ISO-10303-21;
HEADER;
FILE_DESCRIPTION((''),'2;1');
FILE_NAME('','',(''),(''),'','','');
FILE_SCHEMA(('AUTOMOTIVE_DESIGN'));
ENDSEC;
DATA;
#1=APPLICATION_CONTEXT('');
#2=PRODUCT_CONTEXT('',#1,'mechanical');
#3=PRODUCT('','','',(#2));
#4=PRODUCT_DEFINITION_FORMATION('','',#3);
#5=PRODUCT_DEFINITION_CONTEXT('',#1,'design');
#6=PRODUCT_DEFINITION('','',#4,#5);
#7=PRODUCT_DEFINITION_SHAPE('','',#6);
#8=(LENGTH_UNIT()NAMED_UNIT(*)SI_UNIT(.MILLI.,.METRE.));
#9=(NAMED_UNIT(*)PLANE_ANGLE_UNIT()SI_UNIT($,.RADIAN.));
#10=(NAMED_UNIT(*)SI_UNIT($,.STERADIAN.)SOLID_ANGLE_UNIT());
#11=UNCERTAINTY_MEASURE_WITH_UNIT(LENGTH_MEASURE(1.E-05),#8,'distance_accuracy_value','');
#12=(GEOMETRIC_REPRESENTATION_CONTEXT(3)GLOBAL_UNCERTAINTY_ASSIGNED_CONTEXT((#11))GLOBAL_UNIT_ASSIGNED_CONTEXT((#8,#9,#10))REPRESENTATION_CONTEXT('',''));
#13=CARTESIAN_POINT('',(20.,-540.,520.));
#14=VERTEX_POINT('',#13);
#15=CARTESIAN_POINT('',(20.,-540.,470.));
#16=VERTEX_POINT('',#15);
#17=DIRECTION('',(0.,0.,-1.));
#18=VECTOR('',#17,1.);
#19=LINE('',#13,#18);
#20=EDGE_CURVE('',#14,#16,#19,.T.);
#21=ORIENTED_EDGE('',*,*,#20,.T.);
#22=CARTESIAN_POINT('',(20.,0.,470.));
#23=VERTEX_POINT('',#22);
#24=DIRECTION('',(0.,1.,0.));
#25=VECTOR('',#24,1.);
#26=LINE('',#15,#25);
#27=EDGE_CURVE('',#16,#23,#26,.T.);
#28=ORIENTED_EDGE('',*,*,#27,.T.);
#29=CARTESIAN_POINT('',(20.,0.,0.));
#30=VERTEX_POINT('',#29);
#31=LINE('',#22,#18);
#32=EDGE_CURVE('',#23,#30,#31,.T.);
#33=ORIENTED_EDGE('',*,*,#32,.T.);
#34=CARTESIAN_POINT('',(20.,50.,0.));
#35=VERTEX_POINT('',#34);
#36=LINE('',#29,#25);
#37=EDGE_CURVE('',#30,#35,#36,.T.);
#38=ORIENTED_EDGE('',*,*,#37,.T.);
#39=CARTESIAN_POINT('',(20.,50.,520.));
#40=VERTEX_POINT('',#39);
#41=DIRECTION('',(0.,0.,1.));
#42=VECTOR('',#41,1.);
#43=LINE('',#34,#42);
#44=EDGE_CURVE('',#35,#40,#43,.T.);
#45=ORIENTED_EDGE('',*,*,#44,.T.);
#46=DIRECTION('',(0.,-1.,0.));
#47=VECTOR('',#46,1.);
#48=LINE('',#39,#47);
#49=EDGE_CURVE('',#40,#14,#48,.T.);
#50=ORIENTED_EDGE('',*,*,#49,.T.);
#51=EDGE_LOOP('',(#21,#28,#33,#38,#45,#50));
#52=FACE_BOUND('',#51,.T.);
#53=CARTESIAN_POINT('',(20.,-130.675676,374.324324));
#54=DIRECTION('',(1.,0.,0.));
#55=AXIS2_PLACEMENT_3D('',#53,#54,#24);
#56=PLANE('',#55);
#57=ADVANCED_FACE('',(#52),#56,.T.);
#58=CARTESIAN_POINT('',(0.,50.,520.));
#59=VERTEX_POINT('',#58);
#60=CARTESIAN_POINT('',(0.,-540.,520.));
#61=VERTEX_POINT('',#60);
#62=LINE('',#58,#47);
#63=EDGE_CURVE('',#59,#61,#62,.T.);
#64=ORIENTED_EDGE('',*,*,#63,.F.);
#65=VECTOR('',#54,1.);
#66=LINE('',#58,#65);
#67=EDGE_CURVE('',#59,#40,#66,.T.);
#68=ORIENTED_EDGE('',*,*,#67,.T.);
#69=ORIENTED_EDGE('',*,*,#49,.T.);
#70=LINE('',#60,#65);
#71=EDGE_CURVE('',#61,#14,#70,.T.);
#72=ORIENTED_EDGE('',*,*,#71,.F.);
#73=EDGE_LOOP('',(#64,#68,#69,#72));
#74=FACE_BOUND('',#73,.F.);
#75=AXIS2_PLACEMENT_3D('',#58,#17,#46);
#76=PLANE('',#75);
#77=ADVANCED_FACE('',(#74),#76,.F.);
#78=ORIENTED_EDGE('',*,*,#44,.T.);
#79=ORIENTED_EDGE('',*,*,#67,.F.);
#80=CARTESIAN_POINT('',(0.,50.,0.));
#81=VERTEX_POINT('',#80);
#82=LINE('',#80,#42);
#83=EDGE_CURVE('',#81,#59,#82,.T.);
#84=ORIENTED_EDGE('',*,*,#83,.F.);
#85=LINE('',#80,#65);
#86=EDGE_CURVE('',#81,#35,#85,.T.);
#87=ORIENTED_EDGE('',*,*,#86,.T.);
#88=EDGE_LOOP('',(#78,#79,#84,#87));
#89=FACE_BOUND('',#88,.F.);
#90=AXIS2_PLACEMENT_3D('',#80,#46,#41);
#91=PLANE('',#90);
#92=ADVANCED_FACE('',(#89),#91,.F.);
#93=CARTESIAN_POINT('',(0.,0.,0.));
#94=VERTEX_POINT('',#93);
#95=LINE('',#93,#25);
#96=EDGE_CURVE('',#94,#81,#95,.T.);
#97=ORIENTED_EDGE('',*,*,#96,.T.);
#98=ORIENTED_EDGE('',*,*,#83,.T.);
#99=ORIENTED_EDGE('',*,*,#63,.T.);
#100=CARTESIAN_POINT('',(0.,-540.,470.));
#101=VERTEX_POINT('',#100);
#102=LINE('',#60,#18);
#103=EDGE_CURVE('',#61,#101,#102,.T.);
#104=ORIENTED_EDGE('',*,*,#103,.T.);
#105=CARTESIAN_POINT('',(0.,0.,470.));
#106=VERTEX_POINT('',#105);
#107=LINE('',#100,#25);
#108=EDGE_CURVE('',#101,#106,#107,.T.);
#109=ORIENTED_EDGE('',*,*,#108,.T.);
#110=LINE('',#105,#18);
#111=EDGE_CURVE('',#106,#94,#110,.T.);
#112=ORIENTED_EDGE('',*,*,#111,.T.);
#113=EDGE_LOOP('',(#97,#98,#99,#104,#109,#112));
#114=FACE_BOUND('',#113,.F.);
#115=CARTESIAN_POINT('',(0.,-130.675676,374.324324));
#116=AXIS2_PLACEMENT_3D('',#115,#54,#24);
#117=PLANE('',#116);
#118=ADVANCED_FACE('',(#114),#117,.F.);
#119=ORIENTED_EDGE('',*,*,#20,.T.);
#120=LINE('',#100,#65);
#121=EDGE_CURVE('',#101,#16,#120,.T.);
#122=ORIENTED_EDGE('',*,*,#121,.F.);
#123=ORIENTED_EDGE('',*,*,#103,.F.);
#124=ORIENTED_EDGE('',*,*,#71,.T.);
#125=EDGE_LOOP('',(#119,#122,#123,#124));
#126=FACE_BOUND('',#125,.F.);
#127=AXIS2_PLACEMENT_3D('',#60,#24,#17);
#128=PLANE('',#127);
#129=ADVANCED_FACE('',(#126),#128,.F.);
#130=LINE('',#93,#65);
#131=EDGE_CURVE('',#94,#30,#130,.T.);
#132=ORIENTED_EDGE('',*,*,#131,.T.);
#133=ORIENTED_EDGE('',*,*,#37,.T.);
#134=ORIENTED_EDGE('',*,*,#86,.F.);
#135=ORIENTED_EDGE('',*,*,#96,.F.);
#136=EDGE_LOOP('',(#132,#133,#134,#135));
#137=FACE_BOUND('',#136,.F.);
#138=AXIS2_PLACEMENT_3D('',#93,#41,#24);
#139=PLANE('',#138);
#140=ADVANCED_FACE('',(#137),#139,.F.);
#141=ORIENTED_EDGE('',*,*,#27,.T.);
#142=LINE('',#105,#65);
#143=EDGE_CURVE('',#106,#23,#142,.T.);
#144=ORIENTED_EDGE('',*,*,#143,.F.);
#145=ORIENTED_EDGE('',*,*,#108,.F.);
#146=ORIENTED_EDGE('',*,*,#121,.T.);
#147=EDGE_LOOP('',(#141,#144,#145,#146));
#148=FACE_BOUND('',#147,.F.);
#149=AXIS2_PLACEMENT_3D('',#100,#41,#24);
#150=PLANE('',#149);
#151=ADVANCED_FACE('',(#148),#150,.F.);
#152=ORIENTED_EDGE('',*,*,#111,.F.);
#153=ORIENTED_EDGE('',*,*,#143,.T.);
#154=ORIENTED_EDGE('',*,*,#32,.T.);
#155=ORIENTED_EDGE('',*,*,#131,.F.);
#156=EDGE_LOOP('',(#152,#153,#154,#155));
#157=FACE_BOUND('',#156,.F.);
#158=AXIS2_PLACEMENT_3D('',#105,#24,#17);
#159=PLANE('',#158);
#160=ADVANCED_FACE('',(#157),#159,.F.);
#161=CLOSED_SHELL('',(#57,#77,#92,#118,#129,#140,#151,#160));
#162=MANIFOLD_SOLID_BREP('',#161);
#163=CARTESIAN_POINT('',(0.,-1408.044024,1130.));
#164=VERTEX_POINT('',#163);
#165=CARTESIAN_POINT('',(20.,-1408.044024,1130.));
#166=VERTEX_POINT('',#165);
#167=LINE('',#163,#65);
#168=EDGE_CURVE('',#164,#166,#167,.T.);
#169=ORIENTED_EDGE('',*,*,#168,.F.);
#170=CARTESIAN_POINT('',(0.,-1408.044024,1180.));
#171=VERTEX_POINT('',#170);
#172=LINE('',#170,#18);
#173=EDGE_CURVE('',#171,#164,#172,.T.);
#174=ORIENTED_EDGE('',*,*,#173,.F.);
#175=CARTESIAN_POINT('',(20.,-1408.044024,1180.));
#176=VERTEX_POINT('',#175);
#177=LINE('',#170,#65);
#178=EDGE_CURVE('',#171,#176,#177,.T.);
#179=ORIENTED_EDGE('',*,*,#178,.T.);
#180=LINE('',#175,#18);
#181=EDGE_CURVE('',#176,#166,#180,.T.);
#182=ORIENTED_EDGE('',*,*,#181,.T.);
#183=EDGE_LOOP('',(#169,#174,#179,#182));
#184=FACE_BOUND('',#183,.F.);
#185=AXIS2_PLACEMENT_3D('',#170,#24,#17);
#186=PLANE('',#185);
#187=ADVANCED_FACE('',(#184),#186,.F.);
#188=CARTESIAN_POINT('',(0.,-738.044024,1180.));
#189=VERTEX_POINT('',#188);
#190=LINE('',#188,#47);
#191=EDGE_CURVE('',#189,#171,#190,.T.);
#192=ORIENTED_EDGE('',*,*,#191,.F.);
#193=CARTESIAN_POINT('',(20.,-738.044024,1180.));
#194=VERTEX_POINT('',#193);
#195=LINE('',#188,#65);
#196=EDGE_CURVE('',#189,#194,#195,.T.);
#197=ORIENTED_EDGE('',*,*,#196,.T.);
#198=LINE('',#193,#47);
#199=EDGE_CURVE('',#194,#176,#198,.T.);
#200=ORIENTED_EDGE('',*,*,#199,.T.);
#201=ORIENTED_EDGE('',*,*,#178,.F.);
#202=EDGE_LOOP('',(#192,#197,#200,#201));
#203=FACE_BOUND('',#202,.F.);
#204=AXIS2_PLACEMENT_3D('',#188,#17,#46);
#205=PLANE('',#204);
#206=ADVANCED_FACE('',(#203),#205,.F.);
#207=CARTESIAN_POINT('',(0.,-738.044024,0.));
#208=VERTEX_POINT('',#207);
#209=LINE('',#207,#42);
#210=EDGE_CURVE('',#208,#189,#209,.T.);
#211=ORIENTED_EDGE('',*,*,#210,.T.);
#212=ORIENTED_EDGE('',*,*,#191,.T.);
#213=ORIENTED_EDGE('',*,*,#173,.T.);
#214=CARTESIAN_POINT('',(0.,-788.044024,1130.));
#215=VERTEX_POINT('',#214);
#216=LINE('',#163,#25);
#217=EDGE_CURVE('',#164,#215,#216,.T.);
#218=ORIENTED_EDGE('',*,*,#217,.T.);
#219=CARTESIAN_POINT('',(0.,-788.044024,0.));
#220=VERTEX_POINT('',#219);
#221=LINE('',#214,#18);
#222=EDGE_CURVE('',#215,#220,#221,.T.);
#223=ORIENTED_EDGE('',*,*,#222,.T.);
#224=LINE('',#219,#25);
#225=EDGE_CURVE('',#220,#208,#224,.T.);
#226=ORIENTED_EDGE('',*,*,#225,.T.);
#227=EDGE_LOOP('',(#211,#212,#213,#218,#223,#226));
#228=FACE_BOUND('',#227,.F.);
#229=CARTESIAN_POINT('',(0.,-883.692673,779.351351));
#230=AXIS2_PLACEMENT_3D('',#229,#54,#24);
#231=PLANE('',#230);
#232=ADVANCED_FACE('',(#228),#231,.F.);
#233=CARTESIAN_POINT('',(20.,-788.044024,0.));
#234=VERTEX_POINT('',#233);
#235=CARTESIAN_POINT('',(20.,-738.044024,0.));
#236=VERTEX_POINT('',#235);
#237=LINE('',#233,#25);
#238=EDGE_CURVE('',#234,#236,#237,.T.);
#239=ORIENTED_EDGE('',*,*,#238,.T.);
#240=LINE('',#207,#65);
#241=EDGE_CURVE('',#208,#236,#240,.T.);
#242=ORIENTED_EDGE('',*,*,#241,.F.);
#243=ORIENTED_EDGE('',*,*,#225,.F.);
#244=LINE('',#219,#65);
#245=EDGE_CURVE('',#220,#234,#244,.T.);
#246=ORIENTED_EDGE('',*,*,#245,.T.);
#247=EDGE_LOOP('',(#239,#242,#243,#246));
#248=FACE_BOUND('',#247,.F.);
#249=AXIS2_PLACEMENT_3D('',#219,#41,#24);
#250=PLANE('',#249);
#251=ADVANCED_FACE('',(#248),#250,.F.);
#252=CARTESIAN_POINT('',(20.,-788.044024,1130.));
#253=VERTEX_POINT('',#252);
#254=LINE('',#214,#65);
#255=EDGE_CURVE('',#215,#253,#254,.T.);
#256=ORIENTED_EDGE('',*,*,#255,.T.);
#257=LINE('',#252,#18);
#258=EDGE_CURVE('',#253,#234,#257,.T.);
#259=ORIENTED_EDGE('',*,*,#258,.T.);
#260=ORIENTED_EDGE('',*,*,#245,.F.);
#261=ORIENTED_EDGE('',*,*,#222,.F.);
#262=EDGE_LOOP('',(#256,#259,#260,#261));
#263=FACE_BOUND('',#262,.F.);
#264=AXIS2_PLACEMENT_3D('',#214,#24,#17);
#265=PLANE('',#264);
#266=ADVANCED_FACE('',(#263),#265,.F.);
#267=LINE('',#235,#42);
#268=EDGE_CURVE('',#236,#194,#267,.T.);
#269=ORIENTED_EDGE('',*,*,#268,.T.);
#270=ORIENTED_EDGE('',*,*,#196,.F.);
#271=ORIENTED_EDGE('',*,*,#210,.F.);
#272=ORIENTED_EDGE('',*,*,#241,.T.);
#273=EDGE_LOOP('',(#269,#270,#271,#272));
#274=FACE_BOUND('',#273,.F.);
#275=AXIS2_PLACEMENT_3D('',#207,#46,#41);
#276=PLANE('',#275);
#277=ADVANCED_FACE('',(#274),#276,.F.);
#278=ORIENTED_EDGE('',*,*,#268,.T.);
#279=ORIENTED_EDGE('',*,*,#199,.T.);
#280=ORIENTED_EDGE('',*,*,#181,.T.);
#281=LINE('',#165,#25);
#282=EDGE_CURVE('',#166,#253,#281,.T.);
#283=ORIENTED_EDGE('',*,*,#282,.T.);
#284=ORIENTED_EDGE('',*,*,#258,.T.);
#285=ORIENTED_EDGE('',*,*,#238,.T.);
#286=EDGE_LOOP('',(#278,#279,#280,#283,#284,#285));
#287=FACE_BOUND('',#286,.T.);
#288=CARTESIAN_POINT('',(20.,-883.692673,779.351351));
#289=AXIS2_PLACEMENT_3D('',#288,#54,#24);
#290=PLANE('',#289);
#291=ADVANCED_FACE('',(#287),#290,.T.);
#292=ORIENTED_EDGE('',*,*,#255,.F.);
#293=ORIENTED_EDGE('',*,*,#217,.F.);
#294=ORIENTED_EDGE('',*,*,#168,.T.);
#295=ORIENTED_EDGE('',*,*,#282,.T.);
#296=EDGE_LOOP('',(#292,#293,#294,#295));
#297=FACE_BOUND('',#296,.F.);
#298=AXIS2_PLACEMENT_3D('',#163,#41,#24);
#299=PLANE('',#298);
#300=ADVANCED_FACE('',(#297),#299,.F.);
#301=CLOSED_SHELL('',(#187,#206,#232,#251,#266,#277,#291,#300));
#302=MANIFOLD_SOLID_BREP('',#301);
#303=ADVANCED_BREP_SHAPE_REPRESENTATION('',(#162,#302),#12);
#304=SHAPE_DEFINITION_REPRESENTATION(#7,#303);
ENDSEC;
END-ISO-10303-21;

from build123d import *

# Parameters (mm, degrees)
F1_DEPTH = 20
F3_DEPTH = 20


with BuildPart() as f1:
    # F0 (on Right) → F1 (new body)
    with BuildSketch(Plane.YZ):
        Polygon((0, 470), (0, 0), (50, 0), (50, 520), (-540, 520), (-540, 470), align=None)
    extrude(amount=F1_DEPTH)


with BuildPart() as f3:
    # F2 (on Right) → F3 (new body)
    with BuildSketch(Plane.YZ):
        Polygon((-788.044024, 0), (-738.044024, 0), (-738.044024, 1180), (-1408.044024, 1180), (-1408.044024, 1130), (-788.044024, 1130), align=None)
    extrude(amount=F3_DEPTH)


solid = Compound([f1.part, f3.part])
